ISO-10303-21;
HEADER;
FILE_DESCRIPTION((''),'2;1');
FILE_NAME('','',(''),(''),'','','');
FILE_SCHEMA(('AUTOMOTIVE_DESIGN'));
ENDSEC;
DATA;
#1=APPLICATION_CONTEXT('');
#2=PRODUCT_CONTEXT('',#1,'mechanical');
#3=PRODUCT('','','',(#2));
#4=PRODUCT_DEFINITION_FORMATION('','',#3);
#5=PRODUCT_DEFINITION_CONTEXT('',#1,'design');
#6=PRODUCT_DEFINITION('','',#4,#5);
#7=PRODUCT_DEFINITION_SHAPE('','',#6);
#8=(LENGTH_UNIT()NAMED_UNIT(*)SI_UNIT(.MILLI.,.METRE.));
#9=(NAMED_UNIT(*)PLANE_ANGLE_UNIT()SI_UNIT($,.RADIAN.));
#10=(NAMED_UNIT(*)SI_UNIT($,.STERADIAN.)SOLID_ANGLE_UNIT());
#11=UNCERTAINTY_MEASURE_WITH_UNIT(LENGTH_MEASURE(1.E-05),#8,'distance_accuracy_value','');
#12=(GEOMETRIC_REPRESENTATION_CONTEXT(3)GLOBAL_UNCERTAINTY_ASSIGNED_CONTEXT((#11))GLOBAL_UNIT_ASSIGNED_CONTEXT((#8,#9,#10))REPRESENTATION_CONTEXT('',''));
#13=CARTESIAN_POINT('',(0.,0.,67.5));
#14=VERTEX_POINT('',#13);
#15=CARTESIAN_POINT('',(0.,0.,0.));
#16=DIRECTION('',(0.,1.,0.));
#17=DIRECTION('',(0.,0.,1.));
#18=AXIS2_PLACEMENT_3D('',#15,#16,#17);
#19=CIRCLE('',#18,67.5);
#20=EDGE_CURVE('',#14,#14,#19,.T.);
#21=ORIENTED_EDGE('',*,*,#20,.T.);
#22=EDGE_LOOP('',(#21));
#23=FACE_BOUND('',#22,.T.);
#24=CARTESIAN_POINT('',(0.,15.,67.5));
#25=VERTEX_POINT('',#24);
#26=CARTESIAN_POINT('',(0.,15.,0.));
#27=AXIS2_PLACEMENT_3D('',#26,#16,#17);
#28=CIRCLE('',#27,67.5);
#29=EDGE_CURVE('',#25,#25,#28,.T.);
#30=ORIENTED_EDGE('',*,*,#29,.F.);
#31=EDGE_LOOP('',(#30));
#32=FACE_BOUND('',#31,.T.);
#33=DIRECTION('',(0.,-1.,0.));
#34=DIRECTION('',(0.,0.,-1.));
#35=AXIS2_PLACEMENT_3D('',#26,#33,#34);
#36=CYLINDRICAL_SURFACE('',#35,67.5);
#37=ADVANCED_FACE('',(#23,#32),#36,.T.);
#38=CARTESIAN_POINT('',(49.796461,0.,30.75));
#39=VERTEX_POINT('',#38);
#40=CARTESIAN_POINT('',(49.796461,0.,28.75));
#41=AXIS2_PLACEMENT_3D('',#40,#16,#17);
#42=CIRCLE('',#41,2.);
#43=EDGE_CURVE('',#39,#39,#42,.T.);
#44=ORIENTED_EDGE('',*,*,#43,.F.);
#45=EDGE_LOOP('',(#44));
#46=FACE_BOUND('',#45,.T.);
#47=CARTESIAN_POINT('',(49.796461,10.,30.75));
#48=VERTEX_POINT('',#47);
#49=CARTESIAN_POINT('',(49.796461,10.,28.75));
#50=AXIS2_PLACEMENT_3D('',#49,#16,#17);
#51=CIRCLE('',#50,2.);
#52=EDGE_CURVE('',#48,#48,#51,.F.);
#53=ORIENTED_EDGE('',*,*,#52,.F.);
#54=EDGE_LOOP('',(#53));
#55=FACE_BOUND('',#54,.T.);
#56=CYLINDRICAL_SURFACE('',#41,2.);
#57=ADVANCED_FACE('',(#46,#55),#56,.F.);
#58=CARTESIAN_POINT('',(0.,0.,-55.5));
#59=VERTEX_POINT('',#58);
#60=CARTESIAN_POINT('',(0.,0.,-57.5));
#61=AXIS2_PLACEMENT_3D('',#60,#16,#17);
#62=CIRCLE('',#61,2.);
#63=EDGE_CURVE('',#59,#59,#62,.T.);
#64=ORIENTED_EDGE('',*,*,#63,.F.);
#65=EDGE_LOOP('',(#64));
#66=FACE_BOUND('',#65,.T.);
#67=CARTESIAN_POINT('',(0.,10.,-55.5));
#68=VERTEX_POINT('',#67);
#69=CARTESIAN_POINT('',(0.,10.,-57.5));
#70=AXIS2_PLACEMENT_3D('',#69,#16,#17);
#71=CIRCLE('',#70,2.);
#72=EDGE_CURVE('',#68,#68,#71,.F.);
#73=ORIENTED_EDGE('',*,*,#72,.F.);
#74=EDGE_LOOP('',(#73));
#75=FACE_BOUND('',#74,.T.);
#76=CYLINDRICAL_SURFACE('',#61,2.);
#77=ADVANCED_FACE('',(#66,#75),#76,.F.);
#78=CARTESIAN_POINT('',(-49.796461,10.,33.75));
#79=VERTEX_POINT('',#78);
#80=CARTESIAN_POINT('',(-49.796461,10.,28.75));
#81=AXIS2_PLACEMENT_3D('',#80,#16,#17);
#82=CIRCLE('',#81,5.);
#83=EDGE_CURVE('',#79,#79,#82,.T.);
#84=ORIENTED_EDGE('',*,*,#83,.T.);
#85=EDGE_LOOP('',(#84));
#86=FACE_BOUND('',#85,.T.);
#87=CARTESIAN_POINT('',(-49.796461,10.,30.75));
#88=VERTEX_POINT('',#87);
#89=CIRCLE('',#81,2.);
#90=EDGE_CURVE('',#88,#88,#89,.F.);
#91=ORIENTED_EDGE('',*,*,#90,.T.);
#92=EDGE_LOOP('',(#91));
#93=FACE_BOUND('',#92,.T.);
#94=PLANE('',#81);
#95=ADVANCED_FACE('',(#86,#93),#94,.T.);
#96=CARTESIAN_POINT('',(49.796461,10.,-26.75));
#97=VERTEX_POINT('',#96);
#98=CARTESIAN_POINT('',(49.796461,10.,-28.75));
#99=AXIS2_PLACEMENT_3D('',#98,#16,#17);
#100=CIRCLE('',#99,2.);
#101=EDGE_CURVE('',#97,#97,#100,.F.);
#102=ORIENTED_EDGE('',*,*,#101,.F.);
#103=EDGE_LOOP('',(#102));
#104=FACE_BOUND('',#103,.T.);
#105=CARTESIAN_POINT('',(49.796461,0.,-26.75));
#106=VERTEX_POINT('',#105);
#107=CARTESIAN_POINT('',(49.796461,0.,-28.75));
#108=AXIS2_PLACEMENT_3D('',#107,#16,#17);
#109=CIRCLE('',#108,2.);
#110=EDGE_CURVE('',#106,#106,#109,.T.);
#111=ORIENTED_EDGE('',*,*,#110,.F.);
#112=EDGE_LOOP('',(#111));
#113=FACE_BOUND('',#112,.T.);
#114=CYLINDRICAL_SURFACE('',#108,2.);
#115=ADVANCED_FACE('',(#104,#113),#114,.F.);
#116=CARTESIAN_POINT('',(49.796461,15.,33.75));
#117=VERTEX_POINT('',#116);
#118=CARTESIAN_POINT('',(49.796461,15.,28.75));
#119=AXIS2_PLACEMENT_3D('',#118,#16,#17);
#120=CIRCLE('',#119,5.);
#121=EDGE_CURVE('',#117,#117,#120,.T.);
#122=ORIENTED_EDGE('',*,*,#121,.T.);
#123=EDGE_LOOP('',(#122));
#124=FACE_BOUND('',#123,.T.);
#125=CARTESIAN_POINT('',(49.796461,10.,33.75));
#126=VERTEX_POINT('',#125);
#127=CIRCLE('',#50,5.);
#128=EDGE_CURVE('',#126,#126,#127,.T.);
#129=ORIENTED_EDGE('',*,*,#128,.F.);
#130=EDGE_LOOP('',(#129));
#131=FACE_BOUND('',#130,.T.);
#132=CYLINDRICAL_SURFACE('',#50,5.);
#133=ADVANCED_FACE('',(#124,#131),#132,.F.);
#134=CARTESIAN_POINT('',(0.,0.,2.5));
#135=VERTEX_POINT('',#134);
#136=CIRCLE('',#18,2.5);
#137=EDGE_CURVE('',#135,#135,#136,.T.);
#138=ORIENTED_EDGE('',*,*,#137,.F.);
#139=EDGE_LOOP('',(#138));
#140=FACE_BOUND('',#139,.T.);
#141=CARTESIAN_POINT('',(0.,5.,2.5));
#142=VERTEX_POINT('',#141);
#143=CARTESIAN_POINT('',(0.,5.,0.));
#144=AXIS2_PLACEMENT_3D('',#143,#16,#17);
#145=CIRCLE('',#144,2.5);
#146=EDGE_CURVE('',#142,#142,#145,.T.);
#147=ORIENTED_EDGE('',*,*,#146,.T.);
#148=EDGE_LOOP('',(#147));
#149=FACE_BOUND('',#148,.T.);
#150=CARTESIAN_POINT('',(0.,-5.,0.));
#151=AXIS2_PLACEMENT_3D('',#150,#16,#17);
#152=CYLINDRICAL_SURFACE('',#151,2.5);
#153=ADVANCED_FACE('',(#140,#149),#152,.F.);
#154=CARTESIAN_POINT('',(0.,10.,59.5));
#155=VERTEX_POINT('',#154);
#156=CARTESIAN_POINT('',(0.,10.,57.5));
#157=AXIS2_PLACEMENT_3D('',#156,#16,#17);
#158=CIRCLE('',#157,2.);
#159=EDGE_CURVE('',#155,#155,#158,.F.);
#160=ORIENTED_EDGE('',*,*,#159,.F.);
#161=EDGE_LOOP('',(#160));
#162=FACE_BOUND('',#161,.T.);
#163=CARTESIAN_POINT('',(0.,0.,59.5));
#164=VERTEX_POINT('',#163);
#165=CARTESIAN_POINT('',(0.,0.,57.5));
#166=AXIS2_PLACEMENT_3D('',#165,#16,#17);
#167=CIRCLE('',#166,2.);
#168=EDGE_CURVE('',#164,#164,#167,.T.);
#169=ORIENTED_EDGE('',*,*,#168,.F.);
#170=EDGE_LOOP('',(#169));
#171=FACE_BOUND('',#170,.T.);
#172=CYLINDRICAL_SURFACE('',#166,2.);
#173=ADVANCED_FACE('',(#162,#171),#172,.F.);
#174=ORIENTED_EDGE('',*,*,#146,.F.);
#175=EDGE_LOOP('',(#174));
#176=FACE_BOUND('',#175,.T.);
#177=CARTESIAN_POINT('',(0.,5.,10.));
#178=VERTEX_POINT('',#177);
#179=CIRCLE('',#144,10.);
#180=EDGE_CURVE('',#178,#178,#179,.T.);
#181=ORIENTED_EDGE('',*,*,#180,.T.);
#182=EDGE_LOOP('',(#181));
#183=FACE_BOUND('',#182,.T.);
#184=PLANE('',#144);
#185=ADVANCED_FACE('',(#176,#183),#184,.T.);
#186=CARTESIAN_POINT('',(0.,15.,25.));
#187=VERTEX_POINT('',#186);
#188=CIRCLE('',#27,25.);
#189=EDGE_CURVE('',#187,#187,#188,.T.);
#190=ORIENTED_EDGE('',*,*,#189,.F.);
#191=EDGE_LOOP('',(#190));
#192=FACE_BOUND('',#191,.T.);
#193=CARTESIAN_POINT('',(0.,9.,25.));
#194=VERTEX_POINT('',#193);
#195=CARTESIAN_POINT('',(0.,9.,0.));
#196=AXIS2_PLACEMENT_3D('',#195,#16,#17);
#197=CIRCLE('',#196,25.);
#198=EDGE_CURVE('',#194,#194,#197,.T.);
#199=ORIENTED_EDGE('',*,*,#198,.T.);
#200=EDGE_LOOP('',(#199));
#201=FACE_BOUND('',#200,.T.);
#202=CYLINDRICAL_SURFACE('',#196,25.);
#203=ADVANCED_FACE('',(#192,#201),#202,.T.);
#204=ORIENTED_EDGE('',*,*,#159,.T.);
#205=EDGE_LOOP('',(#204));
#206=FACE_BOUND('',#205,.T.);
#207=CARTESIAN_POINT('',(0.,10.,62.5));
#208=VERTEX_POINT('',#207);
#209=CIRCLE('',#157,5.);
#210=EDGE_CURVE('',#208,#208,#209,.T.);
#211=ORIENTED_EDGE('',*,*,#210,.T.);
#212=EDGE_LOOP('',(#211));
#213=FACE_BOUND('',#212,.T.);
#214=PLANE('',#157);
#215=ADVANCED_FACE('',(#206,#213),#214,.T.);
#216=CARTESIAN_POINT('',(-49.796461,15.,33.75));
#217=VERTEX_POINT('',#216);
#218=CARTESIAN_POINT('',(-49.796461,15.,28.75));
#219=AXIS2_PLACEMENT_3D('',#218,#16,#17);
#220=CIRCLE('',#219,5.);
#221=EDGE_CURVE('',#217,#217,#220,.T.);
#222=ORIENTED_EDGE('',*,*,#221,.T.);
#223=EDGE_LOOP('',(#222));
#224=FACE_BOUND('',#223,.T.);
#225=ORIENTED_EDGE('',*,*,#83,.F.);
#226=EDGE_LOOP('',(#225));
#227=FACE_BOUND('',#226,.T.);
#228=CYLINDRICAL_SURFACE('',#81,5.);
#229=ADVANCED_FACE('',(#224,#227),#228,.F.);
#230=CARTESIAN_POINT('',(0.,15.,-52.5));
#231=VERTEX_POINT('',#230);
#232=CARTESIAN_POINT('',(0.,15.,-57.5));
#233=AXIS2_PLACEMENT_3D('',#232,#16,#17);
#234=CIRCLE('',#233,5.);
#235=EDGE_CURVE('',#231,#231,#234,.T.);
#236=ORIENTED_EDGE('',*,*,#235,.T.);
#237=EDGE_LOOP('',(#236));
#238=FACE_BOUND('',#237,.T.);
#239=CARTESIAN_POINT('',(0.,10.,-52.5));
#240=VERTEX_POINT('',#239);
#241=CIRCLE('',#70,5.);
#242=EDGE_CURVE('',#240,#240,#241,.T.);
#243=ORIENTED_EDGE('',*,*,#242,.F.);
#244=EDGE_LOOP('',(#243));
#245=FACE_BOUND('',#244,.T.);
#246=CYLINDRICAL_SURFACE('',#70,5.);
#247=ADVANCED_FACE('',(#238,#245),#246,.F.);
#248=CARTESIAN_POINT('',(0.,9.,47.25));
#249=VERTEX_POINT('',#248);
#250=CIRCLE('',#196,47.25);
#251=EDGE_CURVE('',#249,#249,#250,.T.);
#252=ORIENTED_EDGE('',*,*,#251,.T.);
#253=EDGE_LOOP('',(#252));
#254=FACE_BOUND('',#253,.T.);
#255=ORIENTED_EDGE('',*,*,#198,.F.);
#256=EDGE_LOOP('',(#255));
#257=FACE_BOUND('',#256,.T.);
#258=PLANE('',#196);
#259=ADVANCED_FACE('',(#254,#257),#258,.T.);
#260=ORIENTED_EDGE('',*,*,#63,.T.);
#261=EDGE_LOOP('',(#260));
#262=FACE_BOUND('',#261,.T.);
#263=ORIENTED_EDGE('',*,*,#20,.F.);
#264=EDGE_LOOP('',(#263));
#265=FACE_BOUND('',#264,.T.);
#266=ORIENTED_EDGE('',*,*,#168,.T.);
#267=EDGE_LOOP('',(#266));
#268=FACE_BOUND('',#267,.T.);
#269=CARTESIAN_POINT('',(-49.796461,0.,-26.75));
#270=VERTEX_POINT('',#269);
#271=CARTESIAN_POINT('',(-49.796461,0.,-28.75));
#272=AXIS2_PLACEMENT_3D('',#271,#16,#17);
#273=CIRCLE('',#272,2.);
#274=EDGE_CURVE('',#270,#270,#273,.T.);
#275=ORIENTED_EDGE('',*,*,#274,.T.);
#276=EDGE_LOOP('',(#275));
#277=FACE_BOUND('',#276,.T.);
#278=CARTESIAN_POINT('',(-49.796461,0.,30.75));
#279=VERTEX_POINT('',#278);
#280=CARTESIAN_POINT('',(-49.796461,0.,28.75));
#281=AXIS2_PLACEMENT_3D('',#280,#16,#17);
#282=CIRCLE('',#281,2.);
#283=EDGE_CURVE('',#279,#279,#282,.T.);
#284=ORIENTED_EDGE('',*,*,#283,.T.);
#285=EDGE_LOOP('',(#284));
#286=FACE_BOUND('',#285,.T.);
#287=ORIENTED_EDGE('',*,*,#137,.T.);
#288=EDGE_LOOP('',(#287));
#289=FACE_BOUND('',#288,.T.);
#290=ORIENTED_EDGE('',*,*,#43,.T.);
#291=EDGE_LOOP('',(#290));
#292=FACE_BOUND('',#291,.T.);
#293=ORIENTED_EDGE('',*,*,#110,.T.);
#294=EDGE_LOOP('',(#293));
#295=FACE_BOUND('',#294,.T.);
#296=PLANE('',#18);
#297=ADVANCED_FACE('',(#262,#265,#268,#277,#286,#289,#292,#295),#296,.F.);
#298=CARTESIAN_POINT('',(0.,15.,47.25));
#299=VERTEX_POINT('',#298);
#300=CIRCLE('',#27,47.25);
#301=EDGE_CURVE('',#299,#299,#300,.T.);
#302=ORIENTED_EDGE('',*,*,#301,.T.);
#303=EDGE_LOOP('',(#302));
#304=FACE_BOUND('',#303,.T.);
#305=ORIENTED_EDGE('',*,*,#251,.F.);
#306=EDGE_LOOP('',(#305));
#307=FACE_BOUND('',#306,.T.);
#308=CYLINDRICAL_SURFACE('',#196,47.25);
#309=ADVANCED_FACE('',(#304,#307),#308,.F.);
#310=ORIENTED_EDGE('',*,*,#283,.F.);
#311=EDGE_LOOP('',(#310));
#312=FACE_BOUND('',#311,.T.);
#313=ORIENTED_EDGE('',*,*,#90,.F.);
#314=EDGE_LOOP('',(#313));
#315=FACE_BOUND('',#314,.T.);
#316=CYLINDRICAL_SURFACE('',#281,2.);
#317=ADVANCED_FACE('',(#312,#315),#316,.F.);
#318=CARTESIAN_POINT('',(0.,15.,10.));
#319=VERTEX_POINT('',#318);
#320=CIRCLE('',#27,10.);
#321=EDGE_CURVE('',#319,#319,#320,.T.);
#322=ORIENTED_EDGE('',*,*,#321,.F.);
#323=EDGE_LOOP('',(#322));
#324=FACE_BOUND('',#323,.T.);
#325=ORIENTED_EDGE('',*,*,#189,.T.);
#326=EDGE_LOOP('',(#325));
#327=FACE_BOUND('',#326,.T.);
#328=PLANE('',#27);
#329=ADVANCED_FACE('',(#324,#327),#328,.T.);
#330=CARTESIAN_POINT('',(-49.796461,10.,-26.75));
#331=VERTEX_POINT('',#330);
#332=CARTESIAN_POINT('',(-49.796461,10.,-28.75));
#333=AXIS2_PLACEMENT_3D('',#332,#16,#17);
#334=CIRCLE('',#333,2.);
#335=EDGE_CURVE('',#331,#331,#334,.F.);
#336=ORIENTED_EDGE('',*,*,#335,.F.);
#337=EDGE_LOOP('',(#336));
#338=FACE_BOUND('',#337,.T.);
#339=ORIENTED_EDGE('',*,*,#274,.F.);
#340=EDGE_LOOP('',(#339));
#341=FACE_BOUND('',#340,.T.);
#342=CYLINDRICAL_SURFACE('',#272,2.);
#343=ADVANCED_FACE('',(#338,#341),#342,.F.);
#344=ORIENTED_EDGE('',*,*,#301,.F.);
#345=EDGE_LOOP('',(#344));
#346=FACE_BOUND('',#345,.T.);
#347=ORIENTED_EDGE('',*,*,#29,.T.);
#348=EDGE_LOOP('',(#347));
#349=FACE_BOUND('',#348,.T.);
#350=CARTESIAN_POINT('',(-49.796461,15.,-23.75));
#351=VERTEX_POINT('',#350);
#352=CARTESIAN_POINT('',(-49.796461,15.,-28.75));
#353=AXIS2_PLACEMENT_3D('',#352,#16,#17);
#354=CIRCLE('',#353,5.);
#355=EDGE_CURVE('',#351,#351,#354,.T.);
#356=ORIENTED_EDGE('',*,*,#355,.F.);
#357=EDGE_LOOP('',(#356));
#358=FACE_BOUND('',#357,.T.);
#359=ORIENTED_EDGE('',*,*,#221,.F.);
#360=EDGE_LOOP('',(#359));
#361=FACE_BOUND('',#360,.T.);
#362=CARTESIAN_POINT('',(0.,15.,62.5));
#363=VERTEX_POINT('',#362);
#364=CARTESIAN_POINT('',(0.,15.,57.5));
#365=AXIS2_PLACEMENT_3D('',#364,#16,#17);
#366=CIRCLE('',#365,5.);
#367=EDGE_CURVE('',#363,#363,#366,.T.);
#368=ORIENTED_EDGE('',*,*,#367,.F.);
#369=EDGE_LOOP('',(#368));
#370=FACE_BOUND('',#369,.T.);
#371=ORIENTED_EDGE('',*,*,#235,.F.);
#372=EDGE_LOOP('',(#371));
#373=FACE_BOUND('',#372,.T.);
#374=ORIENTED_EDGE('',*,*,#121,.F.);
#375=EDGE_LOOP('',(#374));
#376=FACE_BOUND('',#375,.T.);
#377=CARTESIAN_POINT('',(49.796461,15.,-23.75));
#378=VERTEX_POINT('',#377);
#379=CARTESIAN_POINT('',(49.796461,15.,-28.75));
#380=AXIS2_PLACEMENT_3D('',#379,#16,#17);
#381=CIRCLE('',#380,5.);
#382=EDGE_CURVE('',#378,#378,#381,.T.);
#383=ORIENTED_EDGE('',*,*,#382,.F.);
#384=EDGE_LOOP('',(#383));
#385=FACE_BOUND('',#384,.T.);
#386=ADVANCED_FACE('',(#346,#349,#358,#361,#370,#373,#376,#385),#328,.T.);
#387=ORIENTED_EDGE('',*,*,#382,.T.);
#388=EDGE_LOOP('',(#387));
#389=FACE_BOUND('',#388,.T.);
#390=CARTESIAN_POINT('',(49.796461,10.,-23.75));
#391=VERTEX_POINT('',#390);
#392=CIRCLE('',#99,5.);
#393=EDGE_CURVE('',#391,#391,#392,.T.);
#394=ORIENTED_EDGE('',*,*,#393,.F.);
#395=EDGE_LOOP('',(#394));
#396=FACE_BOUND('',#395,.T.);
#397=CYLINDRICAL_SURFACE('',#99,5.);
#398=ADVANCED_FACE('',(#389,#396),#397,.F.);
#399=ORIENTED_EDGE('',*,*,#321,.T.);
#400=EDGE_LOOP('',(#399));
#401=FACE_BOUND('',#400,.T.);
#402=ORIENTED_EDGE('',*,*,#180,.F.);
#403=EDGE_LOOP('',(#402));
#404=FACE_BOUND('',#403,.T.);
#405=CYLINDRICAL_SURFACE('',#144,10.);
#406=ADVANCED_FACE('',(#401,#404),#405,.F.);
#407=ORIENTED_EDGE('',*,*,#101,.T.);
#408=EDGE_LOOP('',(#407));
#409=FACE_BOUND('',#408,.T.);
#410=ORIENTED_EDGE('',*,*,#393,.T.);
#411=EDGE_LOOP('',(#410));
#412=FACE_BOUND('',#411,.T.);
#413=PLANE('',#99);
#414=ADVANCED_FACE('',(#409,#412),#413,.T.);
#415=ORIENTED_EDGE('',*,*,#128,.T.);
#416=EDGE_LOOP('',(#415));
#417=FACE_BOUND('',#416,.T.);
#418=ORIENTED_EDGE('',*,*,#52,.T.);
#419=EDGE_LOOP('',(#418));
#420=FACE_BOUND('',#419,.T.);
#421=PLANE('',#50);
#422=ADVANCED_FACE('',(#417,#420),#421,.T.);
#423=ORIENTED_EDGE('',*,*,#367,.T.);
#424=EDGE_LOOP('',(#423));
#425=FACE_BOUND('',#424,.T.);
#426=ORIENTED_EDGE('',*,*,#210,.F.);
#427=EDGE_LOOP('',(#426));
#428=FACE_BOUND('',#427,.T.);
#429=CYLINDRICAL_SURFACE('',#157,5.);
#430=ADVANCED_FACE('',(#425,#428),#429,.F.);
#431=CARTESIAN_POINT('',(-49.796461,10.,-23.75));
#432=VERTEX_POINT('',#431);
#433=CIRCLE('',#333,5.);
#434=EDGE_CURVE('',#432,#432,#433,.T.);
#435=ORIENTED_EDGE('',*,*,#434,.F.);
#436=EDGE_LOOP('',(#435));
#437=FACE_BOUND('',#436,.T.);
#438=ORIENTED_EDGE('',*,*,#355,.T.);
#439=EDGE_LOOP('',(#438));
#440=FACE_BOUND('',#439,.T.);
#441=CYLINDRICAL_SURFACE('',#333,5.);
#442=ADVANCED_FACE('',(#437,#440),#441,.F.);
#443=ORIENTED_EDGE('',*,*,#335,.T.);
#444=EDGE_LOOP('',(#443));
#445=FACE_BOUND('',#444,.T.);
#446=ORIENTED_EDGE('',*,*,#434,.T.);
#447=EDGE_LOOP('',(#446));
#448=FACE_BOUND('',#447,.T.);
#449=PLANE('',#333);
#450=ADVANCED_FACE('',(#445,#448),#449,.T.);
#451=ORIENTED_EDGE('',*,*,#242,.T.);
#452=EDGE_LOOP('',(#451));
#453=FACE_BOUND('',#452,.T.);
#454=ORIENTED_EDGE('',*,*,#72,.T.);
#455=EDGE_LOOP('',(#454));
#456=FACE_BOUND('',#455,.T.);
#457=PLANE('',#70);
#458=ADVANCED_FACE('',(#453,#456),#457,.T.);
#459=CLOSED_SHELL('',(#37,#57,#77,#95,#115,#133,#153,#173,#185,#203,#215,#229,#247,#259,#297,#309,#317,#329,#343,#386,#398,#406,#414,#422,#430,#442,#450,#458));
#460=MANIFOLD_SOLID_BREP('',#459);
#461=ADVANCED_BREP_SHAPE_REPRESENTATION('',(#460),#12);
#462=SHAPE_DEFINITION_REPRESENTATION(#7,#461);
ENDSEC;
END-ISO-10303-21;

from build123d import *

# Parameters (mm, degrees)
SKETCH1_R           = 67.5
BOSS_EXTRUDE1_DEPTH = 15
SKETCH2_R           = 47.25
SKETCH2_R_2         = 25
CUT_EXTRUDE1_DEPTH  = 6
SKETCH3_R           = 10
CUT_EXTRUDE2_DEPTH  = 10
SKETCH5_R           = 2.5
CUT_EXTRUDE3_DEPTH  = 10
SKETCH6_R           = 2
CUT_EXTRUDE4_DEPTH  = 15
SKETCH7_R           = 5
CUT_EXTRUDE5_DEPTH  = 5


with BuildPart() as part:
    # Sketch1 → Boss-Extrude1 (new body)
    with BuildSketch(Plane(origin=(0, 0, 0), x_dir=(1, 0, 0), z_dir=(0, 1, 0))):
        Circle(SKETCH1_R)
    extrude(amount=BOSS_EXTRUDE1_DEPTH)

    # Sketch2 → Cut-Extrude1 (cut)
    with BuildSketch(Plane(origin=(0, 15, 0), x_dir=(1, 0, 0), z_dir=(0, 1, 0))):
        Circle(SKETCH2_R)
        Circle(SKETCH2_R_2, mode=Mode.SUBTRACT)
    extrude(amount=-CUT_EXTRUDE1_DEPTH, mode=Mode.SUBTRACT)

    # Sketch3 → Cut-Extrude2 (cut)
    with BuildSketch(Plane(origin=(0, 15, 0), x_dir=(1, 0, 0), z_dir=(0, 1, 0))):
        Circle(SKETCH3_R)
    extrude(amount=-CUT_EXTRUDE2_DEPTH, mode=Mode.SUBTRACT)

    # Sketch5 → Cut-Extrude3 (cut)
    with BuildSketch(Plane(origin=(0, 5, 0), x_dir=(1, 0, 0), z_dir=(0, 1, 0))):
        Circle(SKETCH5_R)
    extrude(amount=-CUT_EXTRUDE3_DEPTH, mode=Mode.SUBTRACT)

    # Sketch6 → Cut-Extrude4 (cut)
    with BuildSketch(Plane(origin=(0, 15, 0), x_dir=(1, 0, 0), z_dir=(0, 1, 0))):
        with Locations((0, 57.5)):
            Circle(SKETCH6_R)
        with Locations((49.796460718, 28.75)):
            Circle(SKETCH6_R)
        with Locations((49.796460718, -28.75)):
            Circle(SKETCH6_R)
        with Locations((0, -57.5)):
            Circle(SKETCH6_R)
        with Locations((-49.796460718, -28.75)):
            Circle(SKETCH6_R)
        with Locations((-49.796460718, 28.75)):
            Circle(SKETCH6_R)
    extrude(amount=-CUT_EXTRUDE4_DEPTH, mode=Mode.SUBTRACT)

    # Sketch7 → Cut-Extrude5 (cut)
    with BuildSketch(Plane(origin=(0, 15, 0), x_dir=(1, 0, 0), z_dir=(0, 1, 0))):
        with Locations((0, 57.5)):
            Circle(SKETCH7_R)
        with Locations((49.796460718, 28.75)):
            Circle(SKETCH7_R)
        with Locations((49.796460718, -28.75)):
            Circle(SKETCH7_R)
        with Locations((0, -57.5)):
            Circle(SKETCH7_R)
        with Locations((-49.796460718, -28.75)):
            Circle(SKETCH7_R)
        with Locations((-49.796460718, 28.75)):
            Circle(SKETCH7_R)
    extrude(amount=-CUT_EXTRUDE5_DEPTH, mode=Mode.SUBTRACT)


solid = part.part
